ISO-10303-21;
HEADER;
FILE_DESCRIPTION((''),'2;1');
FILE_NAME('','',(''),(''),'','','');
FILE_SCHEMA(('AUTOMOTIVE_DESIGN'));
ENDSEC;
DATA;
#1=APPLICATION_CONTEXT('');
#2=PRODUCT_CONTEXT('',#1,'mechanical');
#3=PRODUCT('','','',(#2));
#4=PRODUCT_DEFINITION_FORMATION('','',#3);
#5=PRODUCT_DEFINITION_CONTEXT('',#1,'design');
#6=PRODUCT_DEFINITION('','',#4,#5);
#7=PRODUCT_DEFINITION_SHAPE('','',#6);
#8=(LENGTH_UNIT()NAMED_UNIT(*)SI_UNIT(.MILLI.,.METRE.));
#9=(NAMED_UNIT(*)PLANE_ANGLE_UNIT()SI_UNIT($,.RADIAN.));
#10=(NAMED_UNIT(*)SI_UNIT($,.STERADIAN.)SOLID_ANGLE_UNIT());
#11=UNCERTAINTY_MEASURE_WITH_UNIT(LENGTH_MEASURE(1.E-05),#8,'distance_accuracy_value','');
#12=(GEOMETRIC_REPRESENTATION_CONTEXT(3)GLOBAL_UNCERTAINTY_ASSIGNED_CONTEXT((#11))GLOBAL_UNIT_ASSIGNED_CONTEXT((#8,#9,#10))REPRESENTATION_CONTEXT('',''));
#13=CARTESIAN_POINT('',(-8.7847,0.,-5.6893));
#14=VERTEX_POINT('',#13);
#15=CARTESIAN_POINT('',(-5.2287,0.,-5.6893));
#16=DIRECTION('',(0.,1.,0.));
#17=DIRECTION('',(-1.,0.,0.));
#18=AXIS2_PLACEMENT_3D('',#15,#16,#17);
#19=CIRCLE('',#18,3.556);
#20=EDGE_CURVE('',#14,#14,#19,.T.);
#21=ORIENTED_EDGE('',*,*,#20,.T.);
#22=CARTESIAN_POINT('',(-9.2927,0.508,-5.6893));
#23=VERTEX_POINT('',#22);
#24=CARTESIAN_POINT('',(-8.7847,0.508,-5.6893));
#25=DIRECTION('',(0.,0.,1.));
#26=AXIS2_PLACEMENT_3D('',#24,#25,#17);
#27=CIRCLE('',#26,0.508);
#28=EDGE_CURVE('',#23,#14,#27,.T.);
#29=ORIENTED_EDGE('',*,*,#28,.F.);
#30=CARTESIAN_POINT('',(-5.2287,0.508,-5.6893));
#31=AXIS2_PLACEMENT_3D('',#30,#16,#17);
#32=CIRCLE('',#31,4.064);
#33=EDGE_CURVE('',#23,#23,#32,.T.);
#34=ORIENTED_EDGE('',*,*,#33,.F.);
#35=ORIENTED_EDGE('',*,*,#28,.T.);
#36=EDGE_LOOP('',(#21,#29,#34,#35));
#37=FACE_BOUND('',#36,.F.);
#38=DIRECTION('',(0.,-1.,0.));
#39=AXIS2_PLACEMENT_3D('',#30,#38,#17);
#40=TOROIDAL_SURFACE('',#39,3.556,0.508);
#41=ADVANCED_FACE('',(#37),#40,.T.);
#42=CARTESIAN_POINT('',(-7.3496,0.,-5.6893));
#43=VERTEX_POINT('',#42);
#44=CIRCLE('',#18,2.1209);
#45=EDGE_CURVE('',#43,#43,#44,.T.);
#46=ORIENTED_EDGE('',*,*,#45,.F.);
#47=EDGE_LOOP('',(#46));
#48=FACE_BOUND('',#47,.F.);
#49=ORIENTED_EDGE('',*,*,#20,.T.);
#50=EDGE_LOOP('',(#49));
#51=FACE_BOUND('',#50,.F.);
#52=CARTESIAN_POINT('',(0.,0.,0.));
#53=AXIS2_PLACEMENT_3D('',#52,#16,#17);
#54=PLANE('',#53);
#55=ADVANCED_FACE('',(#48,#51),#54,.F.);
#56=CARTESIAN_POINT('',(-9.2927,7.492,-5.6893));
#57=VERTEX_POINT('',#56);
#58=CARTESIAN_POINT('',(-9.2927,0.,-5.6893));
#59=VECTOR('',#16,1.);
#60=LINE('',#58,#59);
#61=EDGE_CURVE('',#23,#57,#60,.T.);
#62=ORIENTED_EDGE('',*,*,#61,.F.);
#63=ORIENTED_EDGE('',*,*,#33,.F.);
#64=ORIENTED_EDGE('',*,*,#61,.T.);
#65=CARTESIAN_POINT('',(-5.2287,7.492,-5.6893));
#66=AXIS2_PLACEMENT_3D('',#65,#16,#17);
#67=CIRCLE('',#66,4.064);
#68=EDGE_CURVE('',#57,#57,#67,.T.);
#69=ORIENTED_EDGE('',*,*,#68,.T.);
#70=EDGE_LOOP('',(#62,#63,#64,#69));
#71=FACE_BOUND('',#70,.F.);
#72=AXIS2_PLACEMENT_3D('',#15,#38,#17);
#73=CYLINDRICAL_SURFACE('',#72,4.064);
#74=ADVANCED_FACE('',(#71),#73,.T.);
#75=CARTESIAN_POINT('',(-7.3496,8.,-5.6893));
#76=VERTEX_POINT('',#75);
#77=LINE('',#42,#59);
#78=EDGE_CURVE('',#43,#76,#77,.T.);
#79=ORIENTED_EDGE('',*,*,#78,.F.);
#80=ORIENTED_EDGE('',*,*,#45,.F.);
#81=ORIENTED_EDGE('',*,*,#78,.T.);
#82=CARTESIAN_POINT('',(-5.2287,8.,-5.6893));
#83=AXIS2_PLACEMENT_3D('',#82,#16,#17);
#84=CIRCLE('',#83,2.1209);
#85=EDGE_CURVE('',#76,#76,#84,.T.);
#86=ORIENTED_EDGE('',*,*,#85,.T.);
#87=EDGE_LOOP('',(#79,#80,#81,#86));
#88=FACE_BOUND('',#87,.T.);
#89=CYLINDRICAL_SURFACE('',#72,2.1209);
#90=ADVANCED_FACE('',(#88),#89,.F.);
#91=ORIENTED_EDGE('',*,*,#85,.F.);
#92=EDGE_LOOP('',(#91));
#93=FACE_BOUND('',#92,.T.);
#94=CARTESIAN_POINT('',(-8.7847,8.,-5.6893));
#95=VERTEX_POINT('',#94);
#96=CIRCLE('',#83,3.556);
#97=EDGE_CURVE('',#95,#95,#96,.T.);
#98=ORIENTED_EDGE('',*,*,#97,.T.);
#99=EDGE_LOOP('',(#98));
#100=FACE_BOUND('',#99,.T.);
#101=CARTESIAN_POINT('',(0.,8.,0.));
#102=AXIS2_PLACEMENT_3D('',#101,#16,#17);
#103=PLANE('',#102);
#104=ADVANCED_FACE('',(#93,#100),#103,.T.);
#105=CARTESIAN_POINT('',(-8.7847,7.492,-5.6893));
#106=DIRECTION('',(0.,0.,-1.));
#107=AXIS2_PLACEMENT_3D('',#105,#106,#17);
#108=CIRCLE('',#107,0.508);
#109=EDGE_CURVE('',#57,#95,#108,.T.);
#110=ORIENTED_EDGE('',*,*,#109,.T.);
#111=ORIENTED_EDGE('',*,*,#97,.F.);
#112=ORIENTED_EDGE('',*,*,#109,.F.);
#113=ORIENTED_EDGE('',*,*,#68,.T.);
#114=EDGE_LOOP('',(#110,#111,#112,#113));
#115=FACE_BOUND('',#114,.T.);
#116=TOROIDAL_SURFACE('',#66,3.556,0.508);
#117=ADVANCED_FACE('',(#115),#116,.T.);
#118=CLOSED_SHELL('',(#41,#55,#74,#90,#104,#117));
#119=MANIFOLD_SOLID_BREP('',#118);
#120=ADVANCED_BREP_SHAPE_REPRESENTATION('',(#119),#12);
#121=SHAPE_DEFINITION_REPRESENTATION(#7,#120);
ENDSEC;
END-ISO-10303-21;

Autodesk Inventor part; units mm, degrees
ref_plane "YZ Plane" through (0, 0, 0) normal (1, 0, 0) x (0, 1, 0)
ref_plane "XZ Plane" through (0, 0, 0) normal (0, 1, 0) x (-1, 0, 0)
ref_plane "XY Plane" through (0, 0, 0) normal (0, 0, 1) x (1, 0, 0)
sketch "Sketch1" plane through (0, 0, 0) normal (0, 1, 0) x (-1, 0, 0)
  circle A0 centre (5.2287, -5.6893) radius 4.064
  circle A1 centre (5.2287, -5.6893) radius 2.1209
  point P0 (0, 0)
  dimension "d0" = 8.128
  dimension "d1" = 4.2418
extrude "Extrusion1" add sketch "Sketch1" along normal blind 8
fillet "Fillet1" radius 0.508 2 edges at (-1.1647, 8, -5.6893) (-1.1647, 0, -5.6893)
properties part number "Spacer (Plastic), 4.6mm_" material "Acetal Resin, Black"
